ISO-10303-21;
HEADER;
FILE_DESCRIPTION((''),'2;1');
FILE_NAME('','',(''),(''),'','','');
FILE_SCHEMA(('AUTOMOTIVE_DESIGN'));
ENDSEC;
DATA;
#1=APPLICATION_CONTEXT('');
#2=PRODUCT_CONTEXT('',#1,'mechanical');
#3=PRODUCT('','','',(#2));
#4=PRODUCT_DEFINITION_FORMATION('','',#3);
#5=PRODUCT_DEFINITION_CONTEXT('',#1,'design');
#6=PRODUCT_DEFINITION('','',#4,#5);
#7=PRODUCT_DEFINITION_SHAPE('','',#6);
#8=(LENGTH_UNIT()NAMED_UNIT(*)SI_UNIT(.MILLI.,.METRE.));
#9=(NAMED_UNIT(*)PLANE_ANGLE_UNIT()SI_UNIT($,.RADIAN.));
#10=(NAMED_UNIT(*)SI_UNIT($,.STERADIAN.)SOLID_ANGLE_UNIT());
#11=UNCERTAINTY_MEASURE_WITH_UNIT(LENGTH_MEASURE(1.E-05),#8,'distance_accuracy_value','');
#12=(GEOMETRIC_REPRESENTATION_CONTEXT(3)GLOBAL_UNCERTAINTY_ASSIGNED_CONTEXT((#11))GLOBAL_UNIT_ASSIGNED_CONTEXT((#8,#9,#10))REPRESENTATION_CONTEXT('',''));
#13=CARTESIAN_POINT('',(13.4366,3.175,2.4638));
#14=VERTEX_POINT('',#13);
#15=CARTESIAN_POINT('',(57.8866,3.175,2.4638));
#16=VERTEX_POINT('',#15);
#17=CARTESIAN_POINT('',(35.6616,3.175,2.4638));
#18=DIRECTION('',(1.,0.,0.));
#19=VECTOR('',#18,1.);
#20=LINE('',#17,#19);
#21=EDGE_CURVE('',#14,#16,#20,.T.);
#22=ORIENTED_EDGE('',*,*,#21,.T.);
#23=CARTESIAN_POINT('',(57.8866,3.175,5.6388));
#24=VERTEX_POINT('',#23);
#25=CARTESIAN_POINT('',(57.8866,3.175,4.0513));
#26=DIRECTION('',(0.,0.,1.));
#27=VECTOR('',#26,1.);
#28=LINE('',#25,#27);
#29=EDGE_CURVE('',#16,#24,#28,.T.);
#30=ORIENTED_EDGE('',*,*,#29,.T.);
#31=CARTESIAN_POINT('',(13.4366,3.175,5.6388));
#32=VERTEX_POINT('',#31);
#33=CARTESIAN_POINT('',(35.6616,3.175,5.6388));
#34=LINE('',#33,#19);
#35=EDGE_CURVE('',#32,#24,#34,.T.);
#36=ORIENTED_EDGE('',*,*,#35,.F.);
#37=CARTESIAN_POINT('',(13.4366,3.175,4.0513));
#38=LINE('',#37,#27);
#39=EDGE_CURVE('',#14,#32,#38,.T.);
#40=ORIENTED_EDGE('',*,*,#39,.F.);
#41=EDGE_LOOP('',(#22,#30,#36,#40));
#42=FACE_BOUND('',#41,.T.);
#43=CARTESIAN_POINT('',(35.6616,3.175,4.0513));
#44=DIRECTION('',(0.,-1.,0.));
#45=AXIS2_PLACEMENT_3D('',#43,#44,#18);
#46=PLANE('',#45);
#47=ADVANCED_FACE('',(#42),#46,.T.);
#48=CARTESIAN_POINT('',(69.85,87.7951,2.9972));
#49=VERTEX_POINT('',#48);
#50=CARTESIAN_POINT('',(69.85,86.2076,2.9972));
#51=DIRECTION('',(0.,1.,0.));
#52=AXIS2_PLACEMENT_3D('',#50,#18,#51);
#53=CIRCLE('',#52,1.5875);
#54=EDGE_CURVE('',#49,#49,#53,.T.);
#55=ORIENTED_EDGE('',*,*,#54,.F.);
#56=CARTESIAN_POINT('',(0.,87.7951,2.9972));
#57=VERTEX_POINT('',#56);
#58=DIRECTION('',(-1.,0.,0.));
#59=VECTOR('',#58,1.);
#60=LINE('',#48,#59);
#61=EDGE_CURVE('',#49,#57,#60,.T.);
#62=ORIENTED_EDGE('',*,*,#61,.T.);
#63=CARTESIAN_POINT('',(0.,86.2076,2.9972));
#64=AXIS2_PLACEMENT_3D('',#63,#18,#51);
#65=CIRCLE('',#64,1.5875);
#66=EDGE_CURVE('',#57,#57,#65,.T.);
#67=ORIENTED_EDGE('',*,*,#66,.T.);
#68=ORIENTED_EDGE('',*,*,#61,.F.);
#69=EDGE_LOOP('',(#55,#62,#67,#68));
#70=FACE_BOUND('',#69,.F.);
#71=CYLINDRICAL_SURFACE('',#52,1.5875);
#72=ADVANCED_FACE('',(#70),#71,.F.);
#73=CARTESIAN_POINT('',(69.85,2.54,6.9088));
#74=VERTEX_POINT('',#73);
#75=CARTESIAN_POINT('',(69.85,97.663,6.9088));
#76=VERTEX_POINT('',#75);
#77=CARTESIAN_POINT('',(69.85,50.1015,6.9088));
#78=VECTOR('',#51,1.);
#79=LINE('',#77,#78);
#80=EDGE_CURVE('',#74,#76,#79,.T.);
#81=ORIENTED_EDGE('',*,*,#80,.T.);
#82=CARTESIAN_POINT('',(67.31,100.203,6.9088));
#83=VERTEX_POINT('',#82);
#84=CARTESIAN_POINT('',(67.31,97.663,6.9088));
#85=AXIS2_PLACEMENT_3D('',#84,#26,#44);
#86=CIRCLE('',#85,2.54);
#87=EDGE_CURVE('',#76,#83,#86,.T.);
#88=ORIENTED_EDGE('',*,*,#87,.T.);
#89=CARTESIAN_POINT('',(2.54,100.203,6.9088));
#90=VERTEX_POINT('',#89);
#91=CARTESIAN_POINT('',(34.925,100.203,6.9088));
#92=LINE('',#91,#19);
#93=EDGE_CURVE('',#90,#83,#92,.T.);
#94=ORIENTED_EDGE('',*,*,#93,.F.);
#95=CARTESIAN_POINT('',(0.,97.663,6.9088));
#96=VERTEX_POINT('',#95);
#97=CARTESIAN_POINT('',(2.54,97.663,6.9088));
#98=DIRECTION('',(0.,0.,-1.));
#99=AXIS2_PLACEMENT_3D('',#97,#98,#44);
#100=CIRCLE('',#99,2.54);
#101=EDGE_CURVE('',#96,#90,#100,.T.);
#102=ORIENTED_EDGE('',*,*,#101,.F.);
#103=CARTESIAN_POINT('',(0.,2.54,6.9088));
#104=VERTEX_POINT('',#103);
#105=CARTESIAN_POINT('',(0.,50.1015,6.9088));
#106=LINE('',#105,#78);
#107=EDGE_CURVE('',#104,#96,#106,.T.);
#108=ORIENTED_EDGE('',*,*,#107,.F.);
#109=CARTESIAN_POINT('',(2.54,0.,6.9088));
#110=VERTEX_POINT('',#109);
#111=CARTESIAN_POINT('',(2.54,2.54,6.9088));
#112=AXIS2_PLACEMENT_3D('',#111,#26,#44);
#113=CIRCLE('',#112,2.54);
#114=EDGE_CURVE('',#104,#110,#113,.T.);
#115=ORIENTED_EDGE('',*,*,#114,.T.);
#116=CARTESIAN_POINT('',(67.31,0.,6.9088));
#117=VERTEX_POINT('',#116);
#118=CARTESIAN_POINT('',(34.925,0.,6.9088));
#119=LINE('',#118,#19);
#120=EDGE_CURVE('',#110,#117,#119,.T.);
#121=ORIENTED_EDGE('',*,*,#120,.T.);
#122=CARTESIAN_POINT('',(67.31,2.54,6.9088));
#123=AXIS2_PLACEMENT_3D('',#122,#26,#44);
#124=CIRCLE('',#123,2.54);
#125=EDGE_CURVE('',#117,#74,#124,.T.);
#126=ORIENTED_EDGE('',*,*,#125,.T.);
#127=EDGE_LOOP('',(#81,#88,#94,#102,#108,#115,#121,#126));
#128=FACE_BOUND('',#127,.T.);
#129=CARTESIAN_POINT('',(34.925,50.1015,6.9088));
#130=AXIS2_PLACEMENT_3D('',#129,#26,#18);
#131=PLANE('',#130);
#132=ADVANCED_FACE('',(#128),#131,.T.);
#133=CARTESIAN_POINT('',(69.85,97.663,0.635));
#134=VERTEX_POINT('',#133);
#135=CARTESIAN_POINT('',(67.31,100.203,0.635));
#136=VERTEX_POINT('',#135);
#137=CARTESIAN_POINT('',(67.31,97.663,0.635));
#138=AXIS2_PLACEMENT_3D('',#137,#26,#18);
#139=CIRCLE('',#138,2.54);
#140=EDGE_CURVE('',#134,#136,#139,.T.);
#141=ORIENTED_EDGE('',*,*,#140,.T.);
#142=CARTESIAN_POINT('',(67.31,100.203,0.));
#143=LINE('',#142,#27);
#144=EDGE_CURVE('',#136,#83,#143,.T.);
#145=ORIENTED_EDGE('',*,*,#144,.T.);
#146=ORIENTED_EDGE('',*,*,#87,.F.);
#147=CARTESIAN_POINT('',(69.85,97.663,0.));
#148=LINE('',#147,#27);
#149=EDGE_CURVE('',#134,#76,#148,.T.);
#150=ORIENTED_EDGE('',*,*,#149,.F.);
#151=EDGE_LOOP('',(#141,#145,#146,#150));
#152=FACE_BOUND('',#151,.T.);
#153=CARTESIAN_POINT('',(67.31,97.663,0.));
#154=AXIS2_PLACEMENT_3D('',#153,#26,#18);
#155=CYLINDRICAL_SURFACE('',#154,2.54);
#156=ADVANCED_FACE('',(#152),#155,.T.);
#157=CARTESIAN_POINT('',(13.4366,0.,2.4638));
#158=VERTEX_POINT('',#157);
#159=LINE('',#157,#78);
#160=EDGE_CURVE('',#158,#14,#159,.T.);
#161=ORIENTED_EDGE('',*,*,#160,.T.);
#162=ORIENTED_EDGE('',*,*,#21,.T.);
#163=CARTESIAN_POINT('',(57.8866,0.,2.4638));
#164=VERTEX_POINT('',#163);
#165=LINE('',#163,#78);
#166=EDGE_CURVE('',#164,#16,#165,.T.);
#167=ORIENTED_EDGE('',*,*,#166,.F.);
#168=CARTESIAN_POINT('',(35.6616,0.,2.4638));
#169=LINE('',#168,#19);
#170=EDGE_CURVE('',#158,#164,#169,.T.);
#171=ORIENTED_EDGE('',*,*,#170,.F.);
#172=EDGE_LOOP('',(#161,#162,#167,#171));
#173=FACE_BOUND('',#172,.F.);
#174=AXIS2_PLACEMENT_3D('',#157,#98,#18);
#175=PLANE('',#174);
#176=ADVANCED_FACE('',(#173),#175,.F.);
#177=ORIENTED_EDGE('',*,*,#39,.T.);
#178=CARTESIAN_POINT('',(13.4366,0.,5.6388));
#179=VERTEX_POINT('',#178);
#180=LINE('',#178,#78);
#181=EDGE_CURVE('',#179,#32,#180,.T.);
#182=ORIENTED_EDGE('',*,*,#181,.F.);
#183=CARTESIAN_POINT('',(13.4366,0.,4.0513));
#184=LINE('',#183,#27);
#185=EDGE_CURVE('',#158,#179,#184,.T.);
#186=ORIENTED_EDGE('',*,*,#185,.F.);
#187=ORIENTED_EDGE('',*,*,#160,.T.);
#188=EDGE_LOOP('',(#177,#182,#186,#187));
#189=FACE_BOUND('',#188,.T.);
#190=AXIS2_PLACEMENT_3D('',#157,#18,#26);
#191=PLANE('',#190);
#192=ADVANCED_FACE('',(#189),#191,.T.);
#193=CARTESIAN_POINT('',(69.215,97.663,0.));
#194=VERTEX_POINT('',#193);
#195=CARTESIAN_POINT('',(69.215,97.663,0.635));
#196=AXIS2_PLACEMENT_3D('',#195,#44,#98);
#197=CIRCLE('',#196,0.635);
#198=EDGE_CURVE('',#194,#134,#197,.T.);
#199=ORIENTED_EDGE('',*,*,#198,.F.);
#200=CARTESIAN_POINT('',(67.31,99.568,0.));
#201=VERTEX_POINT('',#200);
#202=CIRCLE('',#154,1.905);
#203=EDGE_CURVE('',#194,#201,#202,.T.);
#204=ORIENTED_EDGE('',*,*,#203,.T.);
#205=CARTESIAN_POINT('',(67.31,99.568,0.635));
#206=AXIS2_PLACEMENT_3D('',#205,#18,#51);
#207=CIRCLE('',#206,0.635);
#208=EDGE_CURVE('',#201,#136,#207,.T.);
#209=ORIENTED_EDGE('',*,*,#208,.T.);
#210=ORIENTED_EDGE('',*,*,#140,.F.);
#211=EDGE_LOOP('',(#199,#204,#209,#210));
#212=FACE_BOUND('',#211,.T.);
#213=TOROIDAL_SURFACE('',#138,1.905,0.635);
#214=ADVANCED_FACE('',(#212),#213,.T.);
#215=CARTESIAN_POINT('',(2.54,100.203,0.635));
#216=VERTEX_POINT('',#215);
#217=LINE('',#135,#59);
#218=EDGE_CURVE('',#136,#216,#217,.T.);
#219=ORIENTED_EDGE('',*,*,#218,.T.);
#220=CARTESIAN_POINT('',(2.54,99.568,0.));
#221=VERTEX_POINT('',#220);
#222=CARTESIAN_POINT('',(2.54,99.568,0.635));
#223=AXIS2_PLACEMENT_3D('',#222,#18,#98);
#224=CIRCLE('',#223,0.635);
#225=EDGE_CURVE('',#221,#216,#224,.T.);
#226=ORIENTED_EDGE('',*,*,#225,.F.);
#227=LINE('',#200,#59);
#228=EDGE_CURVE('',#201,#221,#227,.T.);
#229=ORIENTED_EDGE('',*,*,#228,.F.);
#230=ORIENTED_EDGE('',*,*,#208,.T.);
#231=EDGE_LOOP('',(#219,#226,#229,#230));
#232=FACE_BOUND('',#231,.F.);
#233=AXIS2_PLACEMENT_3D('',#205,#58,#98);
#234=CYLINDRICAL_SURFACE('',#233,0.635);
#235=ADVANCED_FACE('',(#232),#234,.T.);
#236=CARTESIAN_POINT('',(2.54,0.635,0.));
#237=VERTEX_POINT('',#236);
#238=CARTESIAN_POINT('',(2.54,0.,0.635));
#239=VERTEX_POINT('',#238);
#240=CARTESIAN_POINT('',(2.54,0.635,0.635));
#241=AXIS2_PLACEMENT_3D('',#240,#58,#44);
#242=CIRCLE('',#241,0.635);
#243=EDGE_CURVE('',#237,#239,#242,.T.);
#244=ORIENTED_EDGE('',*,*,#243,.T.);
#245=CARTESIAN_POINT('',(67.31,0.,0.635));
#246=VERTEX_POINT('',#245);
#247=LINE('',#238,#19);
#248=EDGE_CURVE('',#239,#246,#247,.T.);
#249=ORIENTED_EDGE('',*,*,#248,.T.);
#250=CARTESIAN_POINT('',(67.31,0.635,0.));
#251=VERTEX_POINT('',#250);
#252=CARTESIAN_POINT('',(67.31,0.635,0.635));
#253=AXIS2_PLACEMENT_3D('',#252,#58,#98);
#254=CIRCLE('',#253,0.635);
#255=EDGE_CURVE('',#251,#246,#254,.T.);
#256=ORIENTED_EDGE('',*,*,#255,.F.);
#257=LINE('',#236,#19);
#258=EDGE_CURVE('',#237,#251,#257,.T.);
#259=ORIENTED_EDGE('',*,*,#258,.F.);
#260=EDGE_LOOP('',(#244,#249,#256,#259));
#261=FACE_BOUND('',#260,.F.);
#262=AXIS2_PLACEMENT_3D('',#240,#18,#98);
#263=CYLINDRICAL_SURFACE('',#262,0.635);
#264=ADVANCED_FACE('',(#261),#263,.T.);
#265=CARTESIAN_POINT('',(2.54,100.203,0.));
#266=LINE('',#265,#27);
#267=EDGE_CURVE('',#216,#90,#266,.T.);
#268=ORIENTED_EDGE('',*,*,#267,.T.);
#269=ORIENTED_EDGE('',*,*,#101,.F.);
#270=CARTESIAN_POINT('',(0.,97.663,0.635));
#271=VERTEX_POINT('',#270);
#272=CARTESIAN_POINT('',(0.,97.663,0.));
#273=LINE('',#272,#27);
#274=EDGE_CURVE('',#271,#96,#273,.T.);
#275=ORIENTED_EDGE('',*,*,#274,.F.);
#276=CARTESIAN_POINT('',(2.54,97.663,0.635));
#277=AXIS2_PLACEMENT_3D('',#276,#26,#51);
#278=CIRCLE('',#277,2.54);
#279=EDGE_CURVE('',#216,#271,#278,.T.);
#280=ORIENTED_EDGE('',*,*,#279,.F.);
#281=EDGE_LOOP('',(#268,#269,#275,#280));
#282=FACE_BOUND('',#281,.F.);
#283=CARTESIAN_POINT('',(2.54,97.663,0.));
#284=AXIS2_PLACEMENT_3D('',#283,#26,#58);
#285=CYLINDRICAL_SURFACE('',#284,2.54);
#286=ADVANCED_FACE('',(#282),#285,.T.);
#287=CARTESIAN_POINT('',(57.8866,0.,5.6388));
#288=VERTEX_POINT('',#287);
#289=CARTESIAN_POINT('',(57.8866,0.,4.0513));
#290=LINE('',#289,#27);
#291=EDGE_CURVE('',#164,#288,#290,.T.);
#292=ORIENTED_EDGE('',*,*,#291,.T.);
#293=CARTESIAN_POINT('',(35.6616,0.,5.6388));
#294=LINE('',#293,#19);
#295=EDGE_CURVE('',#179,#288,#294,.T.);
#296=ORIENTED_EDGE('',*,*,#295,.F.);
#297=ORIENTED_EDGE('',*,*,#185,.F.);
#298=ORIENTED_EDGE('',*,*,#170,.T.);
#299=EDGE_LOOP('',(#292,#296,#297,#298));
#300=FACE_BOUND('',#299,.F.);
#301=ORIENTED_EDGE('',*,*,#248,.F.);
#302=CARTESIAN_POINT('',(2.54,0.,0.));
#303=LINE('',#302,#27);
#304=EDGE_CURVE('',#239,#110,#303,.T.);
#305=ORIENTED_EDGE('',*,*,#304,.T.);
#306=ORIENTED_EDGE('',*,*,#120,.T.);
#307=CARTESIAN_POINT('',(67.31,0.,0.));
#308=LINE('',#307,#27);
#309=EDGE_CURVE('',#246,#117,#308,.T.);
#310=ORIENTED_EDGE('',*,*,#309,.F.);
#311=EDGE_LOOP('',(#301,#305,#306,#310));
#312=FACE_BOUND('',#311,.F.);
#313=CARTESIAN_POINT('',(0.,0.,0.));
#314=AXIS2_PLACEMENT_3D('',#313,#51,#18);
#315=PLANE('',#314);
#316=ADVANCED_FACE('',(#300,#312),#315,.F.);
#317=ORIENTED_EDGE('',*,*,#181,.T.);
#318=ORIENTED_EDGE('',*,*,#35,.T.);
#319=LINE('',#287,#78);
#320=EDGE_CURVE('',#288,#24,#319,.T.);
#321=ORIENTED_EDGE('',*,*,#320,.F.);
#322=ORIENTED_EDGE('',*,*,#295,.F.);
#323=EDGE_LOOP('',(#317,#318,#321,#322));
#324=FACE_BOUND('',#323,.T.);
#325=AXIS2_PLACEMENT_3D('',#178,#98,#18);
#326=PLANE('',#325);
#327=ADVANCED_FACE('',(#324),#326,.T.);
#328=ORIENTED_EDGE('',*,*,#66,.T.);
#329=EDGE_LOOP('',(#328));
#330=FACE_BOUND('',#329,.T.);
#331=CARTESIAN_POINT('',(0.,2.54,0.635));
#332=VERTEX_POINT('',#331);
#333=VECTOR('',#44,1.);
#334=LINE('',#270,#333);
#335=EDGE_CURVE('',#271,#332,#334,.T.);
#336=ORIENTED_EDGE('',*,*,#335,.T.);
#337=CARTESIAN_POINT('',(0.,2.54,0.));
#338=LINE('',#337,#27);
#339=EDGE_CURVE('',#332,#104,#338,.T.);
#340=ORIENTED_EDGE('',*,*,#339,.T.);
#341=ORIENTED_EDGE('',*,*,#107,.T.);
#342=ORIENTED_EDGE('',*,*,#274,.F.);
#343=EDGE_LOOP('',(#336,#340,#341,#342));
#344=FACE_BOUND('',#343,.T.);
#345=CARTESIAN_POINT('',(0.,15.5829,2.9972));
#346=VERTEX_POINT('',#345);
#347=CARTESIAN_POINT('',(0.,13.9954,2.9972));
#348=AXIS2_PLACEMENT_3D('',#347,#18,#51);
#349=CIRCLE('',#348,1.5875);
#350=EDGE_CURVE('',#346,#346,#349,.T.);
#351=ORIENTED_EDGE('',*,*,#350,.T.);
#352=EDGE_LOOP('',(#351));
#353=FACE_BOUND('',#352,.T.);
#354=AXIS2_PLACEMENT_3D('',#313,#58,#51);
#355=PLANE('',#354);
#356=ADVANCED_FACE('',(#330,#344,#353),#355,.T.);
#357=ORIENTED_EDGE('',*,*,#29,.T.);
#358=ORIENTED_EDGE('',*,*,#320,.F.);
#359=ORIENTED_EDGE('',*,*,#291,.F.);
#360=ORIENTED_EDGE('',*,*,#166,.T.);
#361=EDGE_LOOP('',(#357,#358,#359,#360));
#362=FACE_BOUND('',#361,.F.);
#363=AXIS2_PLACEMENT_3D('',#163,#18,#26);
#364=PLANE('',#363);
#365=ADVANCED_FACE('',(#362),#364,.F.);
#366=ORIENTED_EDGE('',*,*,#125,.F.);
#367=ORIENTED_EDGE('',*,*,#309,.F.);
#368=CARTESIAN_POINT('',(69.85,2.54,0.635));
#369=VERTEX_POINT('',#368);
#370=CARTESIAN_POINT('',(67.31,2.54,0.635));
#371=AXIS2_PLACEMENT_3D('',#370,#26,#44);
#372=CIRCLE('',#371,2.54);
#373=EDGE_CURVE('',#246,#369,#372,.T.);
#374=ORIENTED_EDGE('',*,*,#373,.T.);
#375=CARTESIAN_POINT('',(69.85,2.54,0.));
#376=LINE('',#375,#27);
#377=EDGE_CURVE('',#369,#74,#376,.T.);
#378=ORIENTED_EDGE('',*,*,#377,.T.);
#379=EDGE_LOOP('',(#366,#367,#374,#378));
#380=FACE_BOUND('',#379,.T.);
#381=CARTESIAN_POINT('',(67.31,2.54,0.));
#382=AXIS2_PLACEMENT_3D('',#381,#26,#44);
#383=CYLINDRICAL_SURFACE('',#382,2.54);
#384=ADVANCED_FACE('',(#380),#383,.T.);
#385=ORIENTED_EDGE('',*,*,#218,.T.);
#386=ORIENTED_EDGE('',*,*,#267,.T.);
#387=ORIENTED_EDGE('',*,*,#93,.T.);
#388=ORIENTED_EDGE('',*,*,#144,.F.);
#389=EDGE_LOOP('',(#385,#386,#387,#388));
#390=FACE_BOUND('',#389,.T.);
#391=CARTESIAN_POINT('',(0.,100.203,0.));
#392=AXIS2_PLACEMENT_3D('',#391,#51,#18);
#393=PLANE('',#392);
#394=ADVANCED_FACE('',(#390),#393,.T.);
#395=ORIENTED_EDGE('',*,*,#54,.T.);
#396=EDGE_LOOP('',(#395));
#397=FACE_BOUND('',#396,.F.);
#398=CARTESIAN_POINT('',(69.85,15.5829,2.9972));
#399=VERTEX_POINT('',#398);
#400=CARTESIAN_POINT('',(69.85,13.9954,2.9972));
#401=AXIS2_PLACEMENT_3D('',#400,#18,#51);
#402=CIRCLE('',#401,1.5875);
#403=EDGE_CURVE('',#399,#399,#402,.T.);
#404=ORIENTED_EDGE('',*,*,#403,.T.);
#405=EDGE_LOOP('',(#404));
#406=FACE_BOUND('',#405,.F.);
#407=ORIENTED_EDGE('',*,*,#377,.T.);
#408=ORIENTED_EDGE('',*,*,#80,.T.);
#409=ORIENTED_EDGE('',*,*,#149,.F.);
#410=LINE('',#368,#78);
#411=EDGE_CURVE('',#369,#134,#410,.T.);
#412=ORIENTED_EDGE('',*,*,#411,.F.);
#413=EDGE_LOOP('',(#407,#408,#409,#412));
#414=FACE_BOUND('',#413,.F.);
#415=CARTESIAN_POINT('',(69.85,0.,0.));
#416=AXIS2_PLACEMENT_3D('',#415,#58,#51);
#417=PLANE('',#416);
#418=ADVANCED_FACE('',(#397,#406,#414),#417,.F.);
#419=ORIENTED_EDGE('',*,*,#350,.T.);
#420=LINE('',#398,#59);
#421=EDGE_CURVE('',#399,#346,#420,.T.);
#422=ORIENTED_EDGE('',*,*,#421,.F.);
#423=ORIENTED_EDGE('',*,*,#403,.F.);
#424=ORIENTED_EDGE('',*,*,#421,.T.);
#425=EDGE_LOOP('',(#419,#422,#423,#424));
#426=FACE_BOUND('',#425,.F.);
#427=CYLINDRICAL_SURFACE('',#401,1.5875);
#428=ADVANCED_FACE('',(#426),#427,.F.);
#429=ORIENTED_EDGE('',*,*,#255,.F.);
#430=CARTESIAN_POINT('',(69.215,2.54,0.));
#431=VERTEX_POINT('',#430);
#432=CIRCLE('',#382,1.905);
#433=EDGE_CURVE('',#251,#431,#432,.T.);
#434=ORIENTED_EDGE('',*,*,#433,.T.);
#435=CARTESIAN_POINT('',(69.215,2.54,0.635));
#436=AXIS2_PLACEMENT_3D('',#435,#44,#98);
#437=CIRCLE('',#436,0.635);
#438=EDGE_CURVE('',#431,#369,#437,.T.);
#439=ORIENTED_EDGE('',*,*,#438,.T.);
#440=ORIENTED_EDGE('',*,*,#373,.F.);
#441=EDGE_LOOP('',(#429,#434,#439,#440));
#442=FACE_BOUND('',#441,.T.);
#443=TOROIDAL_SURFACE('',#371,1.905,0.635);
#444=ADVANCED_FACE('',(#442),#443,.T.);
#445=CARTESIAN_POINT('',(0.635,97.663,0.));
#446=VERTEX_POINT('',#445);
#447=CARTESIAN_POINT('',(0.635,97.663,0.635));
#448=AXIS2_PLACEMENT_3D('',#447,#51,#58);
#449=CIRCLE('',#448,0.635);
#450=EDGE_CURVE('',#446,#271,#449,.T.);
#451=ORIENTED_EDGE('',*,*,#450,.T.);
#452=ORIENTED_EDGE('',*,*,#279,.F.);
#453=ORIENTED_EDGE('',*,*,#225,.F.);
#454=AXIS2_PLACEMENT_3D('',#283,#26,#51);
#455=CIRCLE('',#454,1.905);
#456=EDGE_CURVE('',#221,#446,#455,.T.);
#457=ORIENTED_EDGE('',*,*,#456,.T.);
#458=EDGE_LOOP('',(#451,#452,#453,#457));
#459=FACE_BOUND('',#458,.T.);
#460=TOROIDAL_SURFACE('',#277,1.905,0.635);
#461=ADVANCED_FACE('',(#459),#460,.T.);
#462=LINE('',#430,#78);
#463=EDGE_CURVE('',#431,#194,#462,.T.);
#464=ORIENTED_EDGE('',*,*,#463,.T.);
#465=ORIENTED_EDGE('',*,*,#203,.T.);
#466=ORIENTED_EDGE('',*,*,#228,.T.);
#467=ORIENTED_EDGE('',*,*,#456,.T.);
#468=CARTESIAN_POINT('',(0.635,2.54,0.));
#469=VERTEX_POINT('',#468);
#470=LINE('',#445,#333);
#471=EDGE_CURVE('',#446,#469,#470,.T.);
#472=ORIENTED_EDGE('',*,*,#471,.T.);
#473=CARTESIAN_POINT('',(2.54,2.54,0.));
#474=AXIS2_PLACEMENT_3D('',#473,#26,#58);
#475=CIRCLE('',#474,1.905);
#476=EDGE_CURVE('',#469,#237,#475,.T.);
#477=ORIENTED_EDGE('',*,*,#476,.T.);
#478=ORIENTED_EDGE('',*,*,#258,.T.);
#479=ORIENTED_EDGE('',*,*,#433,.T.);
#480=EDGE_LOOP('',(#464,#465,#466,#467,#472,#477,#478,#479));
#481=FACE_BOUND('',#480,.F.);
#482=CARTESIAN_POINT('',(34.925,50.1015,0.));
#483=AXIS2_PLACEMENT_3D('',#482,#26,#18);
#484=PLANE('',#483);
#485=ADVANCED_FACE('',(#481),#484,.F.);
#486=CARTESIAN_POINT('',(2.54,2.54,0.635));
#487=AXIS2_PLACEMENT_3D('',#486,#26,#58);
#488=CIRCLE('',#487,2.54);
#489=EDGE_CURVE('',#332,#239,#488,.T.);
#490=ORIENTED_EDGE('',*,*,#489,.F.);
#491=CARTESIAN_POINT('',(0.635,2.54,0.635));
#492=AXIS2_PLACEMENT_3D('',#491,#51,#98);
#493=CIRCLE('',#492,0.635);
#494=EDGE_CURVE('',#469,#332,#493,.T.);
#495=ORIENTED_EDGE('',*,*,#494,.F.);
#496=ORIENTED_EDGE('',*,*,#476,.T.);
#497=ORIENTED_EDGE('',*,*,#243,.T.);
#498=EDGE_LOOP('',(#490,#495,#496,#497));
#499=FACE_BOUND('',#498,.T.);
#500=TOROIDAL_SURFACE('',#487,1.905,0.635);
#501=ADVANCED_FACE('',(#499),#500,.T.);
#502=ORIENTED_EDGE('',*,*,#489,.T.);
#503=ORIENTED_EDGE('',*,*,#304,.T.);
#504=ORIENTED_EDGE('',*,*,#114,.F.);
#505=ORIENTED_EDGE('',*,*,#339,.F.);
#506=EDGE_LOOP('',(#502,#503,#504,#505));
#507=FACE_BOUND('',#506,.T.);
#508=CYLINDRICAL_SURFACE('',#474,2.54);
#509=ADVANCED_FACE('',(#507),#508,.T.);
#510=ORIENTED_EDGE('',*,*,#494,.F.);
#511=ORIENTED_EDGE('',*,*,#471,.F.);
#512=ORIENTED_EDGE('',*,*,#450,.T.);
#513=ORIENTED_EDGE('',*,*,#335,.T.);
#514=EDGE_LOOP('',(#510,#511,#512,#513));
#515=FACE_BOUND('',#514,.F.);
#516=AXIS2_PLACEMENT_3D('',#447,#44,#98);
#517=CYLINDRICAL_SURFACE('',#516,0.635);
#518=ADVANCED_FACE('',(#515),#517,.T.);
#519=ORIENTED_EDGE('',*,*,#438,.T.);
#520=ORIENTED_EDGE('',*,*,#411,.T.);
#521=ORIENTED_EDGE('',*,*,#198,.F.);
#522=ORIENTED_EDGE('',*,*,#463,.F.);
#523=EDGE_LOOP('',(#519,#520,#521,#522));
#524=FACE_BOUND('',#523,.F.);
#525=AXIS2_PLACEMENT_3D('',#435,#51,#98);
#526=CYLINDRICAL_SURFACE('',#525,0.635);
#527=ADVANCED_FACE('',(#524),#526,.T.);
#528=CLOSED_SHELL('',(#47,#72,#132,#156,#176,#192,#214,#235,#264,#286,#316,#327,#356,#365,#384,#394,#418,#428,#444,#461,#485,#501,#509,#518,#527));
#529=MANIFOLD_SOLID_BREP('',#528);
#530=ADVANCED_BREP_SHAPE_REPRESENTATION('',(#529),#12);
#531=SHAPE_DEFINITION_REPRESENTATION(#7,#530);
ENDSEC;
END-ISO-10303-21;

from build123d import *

# Parameters (mm, degrees)
F0_W     = 69.85
F0_H     = 100.203
F1_DEPTH = 6.9088
F2_R     = 2.54
F3_R     = 1.5875
F4_DEPTH = 69.851
F5_R     = 0.635
F6_W     = 44.45
F6_H     = 3.175
F7_DEPTH = 3.175


with BuildPart() as f1:
    # F0 (on Top) → F1 (new body)
    with BuildSketch(Plane.XY):
        with Locations((34.925, 50.1015)):
            Rectangle(F0_W, F0_H)
    extrude(amount=F1_DEPTH)

    # F2
    f2_edges = [f1.edges().sort_by_distance(p)[0] for p in [
        (69.85, 0, 3.4544),
        (0, 0, 3.4544),
        (69.85, 100.203, 3.4544),
        (0, 100.203, 3.4544),
    ]]
    fillet(f2_edges, radius=F2_R)

    # F3 (on face) → F4 (cut, through all)
    with BuildSketch(Plane.YZ.offset(69.85)):
        with Locations((13.9954, 2.9972)):
            Circle(F3_R)
        with Locations((86.2076, 2.9972)):
            Circle(F3_R)
    extrude(amount=-F4_DEPTH, mode=Mode.SUBTRACT)

    # F5
    f5_edges = [f1.edges().sort_by_distance(p)[0] for p in [
        (69.85, 50.1015, 0),
        (69.106051, 0.743949, 0),
        (34.925, 0, 0),
        (0.743949, 0.743949, 0),
        (0, 50.1015, 0),
        (0.743949, 99.459051, 0),
        (34.925, 100.203, 0),
        (69.106051, 99.459051, 0),
    ]]
    fillet(f5_edges, radius=F5_R)

    # F6 (on face) → F7 (cut)
    with BuildSketch(Plane.XZ):
        with Locations((35.6616, 4.0513)):
            Rectangle(F6_W, F6_H)
    extrude(amount=-F7_DEPTH, mode=Mode.SUBTRACT)


solid = f1.part
